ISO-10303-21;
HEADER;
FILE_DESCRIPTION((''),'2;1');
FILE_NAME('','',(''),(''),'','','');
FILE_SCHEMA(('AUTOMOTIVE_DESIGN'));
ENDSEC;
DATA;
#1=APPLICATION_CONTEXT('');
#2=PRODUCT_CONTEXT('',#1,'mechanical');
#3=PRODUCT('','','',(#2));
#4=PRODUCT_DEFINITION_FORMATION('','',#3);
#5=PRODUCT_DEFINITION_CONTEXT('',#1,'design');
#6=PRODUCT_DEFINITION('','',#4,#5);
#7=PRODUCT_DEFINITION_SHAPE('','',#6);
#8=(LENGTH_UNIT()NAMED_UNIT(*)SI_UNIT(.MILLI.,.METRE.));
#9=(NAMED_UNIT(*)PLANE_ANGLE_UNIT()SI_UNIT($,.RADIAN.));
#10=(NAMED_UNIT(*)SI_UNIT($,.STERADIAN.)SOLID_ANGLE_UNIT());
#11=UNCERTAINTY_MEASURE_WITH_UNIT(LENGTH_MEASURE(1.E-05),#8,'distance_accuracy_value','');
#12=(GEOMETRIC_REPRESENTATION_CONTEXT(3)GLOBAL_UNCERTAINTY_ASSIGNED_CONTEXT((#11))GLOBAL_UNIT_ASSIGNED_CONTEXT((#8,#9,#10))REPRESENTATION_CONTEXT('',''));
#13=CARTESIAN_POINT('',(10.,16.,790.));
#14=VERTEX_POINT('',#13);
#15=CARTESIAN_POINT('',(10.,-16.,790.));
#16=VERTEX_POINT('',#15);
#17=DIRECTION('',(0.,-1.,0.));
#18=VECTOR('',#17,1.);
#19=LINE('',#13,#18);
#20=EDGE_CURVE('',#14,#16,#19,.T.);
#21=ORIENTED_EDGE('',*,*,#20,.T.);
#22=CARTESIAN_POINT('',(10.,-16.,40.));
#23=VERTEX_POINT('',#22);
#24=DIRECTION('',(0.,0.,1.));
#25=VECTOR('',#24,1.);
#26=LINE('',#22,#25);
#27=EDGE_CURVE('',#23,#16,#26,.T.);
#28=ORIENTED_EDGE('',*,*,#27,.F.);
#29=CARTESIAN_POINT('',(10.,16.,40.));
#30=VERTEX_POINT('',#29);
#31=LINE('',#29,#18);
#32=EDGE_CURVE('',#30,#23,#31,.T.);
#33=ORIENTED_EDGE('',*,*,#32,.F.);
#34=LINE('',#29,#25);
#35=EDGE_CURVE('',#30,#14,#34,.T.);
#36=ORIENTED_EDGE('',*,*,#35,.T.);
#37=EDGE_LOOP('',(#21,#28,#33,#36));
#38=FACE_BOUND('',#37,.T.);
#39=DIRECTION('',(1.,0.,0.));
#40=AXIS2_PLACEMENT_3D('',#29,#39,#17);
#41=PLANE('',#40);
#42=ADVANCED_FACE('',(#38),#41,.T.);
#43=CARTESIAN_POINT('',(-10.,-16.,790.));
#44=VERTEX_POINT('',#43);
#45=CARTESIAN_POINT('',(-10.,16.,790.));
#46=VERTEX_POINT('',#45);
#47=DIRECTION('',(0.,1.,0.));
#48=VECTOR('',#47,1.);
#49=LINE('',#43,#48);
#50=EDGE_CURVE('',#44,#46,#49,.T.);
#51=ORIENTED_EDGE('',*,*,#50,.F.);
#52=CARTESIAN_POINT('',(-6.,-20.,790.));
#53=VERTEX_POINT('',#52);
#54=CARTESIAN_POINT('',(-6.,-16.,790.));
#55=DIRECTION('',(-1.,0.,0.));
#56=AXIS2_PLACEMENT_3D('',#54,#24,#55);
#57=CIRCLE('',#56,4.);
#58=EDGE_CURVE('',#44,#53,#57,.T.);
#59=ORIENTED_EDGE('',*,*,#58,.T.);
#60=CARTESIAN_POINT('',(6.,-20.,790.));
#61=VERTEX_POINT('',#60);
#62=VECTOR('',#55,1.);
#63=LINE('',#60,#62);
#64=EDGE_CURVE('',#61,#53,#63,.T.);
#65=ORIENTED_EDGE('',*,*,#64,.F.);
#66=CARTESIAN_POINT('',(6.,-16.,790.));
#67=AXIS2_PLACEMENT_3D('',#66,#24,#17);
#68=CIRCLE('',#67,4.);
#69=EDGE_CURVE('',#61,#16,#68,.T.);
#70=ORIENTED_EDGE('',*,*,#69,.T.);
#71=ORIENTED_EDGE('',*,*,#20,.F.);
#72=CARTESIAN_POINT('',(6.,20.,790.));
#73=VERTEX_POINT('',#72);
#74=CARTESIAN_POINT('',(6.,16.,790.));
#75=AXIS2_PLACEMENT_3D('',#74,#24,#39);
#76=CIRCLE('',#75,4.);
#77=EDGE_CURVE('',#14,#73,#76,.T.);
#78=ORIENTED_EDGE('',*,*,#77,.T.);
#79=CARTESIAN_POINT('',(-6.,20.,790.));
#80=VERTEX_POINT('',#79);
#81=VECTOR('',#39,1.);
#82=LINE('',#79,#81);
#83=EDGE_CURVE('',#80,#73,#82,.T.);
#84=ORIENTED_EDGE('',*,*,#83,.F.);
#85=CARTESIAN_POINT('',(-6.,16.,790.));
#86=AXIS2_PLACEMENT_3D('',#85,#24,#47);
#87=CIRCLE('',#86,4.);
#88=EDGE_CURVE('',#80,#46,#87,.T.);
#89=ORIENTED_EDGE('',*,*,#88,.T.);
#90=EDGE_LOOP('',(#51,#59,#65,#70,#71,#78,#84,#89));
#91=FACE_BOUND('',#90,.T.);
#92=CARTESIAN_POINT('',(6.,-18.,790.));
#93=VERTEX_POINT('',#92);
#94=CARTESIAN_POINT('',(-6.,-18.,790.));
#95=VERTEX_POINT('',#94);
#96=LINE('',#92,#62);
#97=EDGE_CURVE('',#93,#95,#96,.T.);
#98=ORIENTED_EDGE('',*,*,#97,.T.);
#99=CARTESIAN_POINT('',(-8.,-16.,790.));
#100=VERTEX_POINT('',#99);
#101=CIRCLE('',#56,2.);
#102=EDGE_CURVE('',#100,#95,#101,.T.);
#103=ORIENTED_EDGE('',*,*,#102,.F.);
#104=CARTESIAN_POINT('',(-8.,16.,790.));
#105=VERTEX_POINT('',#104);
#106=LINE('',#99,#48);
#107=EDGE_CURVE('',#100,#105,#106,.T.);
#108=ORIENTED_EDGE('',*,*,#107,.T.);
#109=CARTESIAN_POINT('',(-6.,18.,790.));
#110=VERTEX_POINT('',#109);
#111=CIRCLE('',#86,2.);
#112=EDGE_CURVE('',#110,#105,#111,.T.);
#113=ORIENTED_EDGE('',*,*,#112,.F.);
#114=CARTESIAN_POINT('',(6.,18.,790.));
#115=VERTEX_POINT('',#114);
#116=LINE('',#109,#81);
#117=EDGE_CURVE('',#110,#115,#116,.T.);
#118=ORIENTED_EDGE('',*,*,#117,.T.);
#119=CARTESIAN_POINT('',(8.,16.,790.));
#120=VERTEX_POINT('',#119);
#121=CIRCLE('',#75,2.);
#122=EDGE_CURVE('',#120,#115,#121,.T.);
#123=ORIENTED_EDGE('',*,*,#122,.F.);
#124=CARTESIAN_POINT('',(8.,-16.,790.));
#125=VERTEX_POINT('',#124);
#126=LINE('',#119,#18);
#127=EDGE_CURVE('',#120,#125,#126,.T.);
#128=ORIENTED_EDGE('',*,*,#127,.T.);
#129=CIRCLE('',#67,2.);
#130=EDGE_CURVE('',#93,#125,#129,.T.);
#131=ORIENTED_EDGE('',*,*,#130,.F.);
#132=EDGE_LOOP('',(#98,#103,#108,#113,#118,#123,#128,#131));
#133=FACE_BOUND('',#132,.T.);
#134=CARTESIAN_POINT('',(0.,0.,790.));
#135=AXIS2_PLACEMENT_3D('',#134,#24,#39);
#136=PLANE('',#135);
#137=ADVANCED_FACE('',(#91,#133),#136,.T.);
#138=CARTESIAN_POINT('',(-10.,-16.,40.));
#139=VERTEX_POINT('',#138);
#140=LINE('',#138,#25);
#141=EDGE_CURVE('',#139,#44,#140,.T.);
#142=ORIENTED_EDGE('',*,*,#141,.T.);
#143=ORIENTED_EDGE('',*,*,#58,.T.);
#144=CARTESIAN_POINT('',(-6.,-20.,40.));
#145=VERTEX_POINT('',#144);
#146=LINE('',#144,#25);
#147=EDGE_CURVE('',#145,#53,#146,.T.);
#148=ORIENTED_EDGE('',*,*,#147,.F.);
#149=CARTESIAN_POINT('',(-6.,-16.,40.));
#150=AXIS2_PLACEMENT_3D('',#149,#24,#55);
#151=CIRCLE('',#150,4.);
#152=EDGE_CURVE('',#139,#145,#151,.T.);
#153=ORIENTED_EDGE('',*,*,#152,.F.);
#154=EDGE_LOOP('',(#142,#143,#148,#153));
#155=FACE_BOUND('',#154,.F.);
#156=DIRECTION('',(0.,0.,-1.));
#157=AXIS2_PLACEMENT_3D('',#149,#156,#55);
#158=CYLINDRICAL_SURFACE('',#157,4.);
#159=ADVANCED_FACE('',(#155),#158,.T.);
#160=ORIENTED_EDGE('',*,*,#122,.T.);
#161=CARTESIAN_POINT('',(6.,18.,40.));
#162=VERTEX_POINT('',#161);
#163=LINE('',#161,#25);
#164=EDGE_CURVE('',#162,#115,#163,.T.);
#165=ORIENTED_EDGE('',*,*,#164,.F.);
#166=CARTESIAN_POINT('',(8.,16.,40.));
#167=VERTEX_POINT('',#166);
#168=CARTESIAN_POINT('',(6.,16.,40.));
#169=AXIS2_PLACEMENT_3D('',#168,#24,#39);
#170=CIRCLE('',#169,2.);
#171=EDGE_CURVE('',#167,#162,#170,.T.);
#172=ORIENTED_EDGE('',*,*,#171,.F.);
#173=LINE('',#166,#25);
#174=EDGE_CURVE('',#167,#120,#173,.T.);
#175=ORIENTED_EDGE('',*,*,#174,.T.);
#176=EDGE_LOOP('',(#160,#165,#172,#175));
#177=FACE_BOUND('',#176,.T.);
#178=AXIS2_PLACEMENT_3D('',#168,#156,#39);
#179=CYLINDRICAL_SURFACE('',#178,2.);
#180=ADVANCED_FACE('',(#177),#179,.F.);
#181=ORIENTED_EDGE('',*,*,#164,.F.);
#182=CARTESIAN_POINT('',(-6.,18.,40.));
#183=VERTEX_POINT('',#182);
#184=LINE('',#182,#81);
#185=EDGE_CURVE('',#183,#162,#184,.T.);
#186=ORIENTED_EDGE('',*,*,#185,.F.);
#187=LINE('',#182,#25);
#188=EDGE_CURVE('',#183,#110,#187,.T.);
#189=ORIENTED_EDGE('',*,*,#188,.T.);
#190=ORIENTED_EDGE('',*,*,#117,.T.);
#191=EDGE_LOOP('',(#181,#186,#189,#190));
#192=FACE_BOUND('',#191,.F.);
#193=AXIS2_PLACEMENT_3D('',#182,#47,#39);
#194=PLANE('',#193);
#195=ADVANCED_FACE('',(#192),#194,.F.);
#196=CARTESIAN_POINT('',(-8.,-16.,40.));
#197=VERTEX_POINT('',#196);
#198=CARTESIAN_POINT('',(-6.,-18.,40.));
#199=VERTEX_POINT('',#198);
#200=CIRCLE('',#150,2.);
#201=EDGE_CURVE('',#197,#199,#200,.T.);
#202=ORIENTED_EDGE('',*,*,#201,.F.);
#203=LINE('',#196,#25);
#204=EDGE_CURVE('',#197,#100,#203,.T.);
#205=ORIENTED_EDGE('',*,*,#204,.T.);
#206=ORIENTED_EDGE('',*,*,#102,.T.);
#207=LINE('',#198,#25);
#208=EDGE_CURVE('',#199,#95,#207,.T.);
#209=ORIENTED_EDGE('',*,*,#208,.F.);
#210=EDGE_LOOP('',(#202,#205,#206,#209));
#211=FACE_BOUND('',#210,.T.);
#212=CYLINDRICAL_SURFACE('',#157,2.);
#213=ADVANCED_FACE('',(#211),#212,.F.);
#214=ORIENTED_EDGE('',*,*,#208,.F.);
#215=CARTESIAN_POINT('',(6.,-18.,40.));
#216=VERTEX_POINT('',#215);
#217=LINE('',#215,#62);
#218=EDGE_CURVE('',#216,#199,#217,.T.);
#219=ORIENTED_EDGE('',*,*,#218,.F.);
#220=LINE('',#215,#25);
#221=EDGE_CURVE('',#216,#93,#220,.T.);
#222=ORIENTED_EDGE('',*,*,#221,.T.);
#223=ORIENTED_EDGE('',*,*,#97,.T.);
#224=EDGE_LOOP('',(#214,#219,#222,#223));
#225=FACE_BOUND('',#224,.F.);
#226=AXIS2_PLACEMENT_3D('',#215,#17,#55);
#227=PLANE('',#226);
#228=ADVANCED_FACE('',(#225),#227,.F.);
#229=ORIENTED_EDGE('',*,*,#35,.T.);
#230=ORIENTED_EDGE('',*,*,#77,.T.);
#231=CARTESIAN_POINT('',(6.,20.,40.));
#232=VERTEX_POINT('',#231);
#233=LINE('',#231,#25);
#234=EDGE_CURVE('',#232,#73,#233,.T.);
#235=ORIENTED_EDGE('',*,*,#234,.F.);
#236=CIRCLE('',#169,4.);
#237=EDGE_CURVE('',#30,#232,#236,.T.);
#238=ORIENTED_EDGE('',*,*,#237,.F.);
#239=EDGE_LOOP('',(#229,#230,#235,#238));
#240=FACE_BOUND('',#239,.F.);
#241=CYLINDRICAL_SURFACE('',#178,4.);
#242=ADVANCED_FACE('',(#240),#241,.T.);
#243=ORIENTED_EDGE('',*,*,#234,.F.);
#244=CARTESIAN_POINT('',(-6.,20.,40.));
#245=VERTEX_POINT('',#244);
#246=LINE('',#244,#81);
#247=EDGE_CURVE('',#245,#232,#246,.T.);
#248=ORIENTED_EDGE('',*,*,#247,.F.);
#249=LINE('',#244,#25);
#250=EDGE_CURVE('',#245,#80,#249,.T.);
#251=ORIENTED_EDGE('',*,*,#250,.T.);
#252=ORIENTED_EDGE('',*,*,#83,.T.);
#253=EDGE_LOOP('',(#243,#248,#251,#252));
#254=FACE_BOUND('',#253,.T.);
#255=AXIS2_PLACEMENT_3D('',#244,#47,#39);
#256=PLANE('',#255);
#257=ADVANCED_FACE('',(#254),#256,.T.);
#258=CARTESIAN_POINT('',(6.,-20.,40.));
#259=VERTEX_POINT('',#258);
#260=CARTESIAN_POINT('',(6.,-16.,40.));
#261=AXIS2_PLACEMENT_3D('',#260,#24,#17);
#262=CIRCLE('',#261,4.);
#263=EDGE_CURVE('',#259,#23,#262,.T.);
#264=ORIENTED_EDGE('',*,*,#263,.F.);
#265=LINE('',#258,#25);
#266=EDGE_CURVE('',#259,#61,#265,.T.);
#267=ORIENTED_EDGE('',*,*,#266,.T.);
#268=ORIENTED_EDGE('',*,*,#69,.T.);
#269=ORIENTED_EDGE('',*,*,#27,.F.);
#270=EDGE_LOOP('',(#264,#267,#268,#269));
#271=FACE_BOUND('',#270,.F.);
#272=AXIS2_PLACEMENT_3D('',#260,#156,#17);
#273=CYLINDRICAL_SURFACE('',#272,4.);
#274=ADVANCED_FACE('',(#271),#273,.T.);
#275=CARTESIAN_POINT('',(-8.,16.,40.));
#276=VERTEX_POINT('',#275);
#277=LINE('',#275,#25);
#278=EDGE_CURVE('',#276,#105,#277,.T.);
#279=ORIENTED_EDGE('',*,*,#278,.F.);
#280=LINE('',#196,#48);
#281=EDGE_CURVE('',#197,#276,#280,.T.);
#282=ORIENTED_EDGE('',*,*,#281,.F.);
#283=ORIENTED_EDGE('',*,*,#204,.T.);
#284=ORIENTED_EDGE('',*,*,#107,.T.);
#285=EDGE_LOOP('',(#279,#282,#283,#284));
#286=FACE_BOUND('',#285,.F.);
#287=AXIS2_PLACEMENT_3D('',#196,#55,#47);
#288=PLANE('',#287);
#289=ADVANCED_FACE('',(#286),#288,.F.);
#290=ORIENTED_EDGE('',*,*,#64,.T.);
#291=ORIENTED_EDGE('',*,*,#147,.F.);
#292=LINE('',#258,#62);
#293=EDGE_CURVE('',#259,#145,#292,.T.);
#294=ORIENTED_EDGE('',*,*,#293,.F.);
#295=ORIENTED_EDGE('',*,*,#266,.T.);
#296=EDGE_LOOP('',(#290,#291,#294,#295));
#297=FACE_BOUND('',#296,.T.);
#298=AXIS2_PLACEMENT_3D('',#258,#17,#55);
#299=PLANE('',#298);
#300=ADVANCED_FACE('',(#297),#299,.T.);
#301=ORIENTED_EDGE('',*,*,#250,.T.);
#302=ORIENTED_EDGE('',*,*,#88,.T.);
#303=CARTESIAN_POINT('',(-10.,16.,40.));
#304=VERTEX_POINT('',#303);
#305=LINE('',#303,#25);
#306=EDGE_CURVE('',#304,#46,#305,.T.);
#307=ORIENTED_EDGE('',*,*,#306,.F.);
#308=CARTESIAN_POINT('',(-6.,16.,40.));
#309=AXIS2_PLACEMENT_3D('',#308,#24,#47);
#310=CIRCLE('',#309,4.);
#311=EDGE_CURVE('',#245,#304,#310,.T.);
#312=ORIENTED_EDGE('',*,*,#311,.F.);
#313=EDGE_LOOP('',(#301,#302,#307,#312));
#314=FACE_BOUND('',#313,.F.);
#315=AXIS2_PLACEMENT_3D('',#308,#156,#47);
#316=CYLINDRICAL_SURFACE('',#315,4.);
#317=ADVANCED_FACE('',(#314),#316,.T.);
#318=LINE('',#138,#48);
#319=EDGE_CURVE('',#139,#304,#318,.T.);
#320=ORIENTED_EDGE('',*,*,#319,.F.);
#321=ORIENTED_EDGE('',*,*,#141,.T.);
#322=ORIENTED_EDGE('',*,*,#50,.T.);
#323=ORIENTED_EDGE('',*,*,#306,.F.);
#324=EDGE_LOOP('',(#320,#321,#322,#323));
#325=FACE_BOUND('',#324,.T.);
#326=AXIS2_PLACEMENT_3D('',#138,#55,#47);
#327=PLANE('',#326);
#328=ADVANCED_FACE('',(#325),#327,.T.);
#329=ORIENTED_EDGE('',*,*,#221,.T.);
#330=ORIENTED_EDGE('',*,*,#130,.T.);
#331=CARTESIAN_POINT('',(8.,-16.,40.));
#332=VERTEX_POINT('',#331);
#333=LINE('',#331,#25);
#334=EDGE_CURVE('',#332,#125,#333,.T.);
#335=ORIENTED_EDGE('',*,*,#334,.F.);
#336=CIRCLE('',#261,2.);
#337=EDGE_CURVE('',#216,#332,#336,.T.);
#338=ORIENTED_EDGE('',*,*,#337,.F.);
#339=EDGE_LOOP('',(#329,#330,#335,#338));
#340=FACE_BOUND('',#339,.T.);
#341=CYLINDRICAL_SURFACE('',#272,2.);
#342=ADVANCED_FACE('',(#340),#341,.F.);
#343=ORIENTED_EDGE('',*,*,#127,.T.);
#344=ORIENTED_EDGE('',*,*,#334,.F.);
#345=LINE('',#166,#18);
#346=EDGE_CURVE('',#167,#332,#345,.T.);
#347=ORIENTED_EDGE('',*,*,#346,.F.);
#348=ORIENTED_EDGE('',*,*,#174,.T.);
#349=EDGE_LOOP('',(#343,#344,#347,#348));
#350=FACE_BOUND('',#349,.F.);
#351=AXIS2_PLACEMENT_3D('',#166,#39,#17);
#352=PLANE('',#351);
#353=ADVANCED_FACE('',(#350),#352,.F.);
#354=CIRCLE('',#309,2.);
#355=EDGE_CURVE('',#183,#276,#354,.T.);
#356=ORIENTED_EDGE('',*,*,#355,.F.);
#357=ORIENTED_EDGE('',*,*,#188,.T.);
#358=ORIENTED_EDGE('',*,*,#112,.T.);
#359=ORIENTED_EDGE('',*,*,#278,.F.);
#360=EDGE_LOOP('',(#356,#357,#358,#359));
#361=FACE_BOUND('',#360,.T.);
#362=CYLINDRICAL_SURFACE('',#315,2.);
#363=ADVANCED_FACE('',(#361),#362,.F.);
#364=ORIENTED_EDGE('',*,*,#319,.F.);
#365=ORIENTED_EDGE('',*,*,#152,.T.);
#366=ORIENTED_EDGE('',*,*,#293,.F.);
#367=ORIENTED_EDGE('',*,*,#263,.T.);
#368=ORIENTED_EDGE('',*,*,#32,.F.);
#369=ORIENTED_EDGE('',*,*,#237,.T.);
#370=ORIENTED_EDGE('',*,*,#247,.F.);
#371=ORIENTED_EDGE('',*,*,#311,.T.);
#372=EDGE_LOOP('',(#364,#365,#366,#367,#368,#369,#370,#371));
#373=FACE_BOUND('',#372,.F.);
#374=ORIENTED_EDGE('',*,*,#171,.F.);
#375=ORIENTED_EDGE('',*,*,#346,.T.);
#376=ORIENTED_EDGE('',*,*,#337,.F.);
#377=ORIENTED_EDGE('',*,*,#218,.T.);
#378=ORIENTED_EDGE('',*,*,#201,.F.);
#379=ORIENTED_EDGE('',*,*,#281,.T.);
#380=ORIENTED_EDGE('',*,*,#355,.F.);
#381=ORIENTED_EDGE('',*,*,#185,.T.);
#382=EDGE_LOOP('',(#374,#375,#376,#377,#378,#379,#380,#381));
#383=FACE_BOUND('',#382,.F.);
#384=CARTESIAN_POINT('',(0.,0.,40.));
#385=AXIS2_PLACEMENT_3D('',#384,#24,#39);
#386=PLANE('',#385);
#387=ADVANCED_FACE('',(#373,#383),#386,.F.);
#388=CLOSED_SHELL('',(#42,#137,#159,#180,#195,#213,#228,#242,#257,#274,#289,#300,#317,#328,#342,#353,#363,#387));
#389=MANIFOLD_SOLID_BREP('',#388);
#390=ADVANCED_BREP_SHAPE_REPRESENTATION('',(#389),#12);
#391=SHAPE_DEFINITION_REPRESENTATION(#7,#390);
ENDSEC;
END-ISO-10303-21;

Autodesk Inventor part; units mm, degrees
ref_plane "YZ Plane" through (0, 0, 0) normal (1, 0, 0) x (0, 1, 0)
ref_plane "Start Plane" through (0, 0, 40) normal (0, 0, 1) x (1, 0, 0)
ref_plane "End Plane" through (0, 0, 790) normal (0, 0, 1) x (1, 0, 0)
sketch "Sketch" plane through (0, 0, 0) normal (0, 0, 1) x (1, 0, 0)
  line L0 (-10, -16) -> (-10, 16)
  line L1 (-6, 20) -> (6, 20)
  line L2 (10, 16) -> (10, -16)
  line L3 (6, -20) -> (-6, -20)
  arc A0 (-10, -16) -> (-6, -20) centre (-6, -16) ccw
  arc A1 (10, 16) -> (6, 20) centre (6, 16) ccw
  arc A2 (-6, 20) -> (-10, 16) centre (-6, 16) ccw
  arc A3 (6, -20) -> (10, -16) centre (6, -16) ccw
  arc A4 (-6, 18) -> (-8, 16) centre (-6, 16) ccw
  line L4 (-6, 18) -> (6, 18)
  arc A5 (8, 16) -> (6, 18) centre (6, 16) ccw
  line L5 (8, 16) -> (8, -16)
  arc A6 (6, -18) -> (8, -16) centre (6, -16) ccw
  line L6 (6, -18) -> (-6, -18)
  arc A7 (-8, -16) -> (-6, -18) centre (-6, -16) ccw
  line L7 (-8, -16) -> (-8, 16)
  line L8 (0, 29.1598) -> (0, -29.1598) construction
  line L9 (-15.1598, 0) -> (15.1598, 0) construction
  dimension "d7" = 4
  dimension "d9" = 20
  dimension "d11" = 40
  dimension "d12" = 2
  dimension "d15" = 10
  dimension "d16" = 20
extrude "Body" add sketch "Sketch" along normal up to surface (750 mm away) from surface at 40
sketch "Sketch3" plane through (0, 0, 0) normal (0, 0, 1) x (1, 0, 0)
  line L0 (0, 0) -> (10, 0)
ref_plane "Work Plane3" through (0, 0, 0) normal (0, -1, 0) x (1, 0, 0)
sketch "Sketch4" plane through (0, 0, 0) normal (0, -1, 0) x (1, 0, 0)
  line L0 (-2, 40) -> (12, 40) projected
  line L1 (-2, 790) -> (12, 790) projected
  dimension "d18" = 750
equation "\"d7\" = G_IR"
equation "\"d9\" = G_W"
equation "\"d11\" = G_H"
equation "\"d12\" = G_T"
equation "\"d15\" = 0.5 * d9"
equation "\"d16\" = 0.5 * d11"
equation "\"d3\" = G_L"
equation "\"G_W\" = 20"
equation "\"G_H\" = 40"
equation "\"G_T\" = 2"
equation "\"G_IR\" = 4"
equation "\"G_L\" = d18"
equation "\"G_OFFSET_END\" = 0"
properties part number "ISO 4019 - 40x20x2 - 750" material "Steel, Mild"
